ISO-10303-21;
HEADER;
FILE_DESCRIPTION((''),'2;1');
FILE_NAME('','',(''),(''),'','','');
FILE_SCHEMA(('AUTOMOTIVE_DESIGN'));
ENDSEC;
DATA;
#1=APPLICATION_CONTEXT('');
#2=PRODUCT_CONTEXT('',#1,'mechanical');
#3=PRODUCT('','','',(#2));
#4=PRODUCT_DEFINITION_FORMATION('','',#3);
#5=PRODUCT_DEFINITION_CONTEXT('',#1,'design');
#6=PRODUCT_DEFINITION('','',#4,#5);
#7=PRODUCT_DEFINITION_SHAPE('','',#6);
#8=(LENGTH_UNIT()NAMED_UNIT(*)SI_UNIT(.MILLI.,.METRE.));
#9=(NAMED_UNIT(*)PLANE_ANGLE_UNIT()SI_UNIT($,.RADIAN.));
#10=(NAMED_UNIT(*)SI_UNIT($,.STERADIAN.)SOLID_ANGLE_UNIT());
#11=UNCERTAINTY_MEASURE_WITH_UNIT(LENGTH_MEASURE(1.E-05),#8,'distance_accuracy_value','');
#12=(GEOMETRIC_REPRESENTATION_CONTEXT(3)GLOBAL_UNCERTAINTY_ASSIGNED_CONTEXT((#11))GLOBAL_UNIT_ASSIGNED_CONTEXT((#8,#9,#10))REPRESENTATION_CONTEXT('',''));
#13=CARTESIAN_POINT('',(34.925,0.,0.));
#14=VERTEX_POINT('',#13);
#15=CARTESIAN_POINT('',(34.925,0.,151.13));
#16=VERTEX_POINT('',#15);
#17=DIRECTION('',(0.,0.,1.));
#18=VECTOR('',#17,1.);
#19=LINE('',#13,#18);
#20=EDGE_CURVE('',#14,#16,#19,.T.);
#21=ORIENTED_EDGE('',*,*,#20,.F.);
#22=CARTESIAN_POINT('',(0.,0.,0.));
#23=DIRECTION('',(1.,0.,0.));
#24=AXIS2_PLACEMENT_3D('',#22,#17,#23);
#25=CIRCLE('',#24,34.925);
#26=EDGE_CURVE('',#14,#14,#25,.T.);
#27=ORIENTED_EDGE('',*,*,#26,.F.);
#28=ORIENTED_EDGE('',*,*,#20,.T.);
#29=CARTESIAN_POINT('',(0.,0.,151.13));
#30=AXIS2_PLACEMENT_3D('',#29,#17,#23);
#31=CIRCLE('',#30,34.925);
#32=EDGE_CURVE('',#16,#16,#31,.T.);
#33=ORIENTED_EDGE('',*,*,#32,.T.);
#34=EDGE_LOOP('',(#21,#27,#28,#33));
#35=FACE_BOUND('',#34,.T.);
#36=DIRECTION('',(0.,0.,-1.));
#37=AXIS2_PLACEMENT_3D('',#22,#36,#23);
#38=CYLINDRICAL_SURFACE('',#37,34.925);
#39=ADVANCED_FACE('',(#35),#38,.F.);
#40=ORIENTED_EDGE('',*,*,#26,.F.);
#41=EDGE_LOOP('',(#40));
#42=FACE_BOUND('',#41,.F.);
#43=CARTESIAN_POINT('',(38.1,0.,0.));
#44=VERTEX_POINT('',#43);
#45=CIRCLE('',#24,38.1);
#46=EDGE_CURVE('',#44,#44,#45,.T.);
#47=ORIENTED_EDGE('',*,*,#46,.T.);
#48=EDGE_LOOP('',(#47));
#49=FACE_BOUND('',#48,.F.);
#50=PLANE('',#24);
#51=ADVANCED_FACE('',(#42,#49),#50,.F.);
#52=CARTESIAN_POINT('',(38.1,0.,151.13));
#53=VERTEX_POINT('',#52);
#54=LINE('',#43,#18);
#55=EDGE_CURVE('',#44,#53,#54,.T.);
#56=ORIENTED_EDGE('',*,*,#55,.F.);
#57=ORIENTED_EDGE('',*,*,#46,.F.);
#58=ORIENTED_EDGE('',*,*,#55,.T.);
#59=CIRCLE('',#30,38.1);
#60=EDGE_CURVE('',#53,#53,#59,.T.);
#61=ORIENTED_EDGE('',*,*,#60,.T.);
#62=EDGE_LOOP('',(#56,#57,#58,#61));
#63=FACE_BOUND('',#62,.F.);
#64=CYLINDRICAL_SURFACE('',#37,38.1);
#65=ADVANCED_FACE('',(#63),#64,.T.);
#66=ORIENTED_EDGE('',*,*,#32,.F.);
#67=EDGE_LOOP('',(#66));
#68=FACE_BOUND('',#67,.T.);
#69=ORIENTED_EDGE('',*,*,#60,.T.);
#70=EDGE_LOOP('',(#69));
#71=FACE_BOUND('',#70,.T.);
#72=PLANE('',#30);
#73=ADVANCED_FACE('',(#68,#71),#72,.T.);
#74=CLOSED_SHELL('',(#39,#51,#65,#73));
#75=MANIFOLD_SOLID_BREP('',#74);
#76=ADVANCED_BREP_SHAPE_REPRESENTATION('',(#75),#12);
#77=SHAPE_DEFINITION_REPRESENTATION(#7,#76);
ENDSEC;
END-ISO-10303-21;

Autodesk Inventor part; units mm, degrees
ref_plane "YZ Plane" through (0, 0, 0) normal (1, 0, 0) x (0, 1, 0)
ref_plane "XZ Plane" through (0, 0, 0) normal (0, 1, 0) x (-1, 0, 0)
ref_plane "XY Plane" through (0, 0, 0) normal (0, 0, 1) x (1, 0, 0)
sketch "Sketch1" plane through (0, 0, 0) normal (0, 0, 1) x (1, 0, 0)
  circle A0 centre (0, 0) radius 38.1
  circle A1 centre (0, 0) radius 34.925
  dimension "d0" = 76.2
  dimension "d1" = 69.85
extrude "Extrusion1" add sketch "Sketch1" along normal blind 151.13
properties part number "pistonTank" material "Aluminum 6061"
